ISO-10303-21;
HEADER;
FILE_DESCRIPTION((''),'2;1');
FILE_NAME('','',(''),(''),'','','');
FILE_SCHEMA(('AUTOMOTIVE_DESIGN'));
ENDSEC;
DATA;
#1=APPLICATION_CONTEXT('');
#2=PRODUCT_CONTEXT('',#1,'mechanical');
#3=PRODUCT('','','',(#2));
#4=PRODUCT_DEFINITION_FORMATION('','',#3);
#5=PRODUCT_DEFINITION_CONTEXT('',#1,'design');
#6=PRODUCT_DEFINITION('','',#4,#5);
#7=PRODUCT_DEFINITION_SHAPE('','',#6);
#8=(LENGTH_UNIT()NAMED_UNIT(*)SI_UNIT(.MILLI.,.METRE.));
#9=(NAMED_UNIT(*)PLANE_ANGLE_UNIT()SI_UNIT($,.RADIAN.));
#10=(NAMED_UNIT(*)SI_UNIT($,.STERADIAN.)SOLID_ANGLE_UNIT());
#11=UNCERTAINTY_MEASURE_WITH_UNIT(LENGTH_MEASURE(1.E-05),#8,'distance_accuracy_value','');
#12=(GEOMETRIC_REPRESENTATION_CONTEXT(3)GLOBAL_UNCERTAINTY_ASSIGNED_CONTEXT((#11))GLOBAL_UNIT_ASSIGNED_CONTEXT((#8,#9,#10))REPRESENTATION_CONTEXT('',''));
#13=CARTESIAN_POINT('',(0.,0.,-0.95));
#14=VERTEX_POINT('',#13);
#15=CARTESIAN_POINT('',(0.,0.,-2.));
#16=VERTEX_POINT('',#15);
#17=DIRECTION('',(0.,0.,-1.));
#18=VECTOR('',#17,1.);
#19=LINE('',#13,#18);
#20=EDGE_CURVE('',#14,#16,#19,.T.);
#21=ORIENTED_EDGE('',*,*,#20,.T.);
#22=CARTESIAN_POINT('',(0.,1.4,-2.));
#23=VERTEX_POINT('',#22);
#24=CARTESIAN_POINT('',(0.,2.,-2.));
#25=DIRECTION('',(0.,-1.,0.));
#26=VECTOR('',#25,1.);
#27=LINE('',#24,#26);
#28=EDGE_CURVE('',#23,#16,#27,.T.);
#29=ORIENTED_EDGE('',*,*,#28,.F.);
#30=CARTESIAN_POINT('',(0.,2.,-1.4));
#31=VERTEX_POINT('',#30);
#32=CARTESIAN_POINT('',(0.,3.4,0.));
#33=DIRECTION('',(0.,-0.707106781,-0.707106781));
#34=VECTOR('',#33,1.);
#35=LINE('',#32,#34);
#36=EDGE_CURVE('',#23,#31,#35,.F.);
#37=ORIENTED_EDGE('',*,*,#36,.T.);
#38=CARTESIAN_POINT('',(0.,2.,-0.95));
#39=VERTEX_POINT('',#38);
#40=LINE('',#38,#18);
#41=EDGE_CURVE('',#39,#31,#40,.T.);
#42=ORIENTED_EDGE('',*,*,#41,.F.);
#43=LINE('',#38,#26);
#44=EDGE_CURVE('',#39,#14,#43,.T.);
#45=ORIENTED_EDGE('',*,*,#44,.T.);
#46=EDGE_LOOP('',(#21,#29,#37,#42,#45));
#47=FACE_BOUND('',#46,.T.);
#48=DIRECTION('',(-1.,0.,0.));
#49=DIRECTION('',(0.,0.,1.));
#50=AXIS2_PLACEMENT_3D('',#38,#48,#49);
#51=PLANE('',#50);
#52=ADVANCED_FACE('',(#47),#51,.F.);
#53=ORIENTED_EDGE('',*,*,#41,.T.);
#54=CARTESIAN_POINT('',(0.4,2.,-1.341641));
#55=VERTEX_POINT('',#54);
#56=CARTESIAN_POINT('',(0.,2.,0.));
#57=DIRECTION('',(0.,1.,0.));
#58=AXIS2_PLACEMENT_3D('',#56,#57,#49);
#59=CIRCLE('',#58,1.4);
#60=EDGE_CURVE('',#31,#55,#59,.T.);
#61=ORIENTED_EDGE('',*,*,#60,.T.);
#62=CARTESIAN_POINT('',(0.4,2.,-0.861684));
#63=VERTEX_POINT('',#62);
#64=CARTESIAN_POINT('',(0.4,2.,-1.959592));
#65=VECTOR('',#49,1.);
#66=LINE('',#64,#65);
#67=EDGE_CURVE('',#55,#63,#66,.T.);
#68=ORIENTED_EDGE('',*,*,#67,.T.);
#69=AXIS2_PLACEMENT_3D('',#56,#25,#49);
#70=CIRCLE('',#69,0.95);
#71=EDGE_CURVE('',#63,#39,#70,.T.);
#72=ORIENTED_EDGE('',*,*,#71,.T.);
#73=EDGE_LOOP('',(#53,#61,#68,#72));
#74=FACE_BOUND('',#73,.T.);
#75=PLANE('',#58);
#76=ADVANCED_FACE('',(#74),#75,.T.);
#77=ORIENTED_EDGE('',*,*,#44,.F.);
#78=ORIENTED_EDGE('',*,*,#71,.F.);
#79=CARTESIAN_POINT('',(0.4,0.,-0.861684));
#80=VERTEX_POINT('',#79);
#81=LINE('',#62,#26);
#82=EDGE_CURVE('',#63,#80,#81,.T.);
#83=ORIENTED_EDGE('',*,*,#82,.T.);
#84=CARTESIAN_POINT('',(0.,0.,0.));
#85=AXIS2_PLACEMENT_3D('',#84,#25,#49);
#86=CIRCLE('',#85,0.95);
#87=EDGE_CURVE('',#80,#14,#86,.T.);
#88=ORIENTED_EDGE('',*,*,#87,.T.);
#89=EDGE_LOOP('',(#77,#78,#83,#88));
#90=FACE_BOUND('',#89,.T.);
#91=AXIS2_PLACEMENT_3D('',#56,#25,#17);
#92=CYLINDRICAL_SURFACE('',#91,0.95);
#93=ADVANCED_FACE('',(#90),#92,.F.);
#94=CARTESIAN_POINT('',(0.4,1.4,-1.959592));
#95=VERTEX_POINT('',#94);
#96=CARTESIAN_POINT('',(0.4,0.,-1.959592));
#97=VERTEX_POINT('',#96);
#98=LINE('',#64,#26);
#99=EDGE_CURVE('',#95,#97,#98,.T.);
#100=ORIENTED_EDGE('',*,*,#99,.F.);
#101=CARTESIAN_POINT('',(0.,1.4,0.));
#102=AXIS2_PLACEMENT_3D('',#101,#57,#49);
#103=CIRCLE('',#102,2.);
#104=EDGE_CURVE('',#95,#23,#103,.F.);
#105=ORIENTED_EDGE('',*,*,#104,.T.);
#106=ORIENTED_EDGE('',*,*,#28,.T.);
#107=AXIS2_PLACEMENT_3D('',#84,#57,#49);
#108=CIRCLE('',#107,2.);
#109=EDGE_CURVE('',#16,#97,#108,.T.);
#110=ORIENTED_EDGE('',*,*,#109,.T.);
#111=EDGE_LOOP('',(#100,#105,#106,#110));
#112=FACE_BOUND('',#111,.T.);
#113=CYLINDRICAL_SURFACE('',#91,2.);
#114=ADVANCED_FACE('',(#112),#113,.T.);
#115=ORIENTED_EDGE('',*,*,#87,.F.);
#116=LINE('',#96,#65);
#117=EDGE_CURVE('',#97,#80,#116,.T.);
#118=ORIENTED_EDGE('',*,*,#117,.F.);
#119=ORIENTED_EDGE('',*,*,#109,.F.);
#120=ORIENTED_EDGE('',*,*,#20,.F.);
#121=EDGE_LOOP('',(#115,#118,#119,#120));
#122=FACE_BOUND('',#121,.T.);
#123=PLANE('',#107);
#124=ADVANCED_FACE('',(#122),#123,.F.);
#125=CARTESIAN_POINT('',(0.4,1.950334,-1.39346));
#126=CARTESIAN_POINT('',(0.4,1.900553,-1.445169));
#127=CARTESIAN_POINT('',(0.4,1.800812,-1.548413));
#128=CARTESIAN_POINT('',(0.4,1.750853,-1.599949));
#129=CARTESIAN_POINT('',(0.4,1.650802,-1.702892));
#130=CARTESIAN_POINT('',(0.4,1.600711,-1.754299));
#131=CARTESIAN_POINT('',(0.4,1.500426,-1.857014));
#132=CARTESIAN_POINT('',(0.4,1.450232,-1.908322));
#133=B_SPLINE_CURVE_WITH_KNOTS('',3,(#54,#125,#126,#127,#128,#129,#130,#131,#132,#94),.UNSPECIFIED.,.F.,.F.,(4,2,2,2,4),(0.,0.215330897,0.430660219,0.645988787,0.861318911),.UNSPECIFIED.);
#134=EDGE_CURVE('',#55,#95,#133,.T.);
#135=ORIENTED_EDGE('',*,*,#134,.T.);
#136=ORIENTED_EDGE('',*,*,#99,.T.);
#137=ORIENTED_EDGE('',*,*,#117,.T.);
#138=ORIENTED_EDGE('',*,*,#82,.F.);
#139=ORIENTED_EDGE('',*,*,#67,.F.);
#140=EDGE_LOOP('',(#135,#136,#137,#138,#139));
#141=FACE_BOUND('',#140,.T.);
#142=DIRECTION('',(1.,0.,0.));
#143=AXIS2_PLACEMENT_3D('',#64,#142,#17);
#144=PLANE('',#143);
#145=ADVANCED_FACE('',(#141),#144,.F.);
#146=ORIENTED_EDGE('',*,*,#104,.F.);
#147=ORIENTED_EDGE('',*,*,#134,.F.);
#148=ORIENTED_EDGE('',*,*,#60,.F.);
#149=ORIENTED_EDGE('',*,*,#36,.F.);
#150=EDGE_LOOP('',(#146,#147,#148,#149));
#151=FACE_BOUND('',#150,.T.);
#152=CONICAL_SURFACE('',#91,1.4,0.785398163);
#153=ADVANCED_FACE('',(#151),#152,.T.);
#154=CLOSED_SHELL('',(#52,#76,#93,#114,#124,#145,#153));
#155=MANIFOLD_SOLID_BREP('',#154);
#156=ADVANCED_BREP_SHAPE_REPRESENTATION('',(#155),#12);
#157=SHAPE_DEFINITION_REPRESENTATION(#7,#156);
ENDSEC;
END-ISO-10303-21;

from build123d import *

# Parameters (mm, degrees)
EXTRUDE_1_DEPTH = 2
CHAMFER_1_SIZE  = 0.6


with BuildPart() as part:
    # Эскиз1 → Бобышка-Вытянуть1 (new body)
    with BuildSketch(Plane(origin=(0, 0, 0), x_dir=(1, 0, 0), z_dir=(0, 1, 0))):
        with BuildLine():
            Line((0, 0.95), (0, 2))
            ThreePointArc((0, 2), (-0.201017924, -1.989872306), (0.4, 1.959591794))
            Line((0.4, 1.959591794), (0.4, 0.861684397))
            ThreePointArc((0.4, 0.861684397), (-0.204816775, -0.92765839), (0, 0.95))
        make_face()
    extrude(amount=EXTRUDE_1_DEPTH)

    # Фаска1
    chamfer_1_edges = [part.edges().sort_by_distance(p)[0] for p in [
        (-0.201017924, 2, 1.989872306),
    ]]
    chamfer(chamfer_1_edges, length=CHAMFER_1_SIZE)


solid = part.part
